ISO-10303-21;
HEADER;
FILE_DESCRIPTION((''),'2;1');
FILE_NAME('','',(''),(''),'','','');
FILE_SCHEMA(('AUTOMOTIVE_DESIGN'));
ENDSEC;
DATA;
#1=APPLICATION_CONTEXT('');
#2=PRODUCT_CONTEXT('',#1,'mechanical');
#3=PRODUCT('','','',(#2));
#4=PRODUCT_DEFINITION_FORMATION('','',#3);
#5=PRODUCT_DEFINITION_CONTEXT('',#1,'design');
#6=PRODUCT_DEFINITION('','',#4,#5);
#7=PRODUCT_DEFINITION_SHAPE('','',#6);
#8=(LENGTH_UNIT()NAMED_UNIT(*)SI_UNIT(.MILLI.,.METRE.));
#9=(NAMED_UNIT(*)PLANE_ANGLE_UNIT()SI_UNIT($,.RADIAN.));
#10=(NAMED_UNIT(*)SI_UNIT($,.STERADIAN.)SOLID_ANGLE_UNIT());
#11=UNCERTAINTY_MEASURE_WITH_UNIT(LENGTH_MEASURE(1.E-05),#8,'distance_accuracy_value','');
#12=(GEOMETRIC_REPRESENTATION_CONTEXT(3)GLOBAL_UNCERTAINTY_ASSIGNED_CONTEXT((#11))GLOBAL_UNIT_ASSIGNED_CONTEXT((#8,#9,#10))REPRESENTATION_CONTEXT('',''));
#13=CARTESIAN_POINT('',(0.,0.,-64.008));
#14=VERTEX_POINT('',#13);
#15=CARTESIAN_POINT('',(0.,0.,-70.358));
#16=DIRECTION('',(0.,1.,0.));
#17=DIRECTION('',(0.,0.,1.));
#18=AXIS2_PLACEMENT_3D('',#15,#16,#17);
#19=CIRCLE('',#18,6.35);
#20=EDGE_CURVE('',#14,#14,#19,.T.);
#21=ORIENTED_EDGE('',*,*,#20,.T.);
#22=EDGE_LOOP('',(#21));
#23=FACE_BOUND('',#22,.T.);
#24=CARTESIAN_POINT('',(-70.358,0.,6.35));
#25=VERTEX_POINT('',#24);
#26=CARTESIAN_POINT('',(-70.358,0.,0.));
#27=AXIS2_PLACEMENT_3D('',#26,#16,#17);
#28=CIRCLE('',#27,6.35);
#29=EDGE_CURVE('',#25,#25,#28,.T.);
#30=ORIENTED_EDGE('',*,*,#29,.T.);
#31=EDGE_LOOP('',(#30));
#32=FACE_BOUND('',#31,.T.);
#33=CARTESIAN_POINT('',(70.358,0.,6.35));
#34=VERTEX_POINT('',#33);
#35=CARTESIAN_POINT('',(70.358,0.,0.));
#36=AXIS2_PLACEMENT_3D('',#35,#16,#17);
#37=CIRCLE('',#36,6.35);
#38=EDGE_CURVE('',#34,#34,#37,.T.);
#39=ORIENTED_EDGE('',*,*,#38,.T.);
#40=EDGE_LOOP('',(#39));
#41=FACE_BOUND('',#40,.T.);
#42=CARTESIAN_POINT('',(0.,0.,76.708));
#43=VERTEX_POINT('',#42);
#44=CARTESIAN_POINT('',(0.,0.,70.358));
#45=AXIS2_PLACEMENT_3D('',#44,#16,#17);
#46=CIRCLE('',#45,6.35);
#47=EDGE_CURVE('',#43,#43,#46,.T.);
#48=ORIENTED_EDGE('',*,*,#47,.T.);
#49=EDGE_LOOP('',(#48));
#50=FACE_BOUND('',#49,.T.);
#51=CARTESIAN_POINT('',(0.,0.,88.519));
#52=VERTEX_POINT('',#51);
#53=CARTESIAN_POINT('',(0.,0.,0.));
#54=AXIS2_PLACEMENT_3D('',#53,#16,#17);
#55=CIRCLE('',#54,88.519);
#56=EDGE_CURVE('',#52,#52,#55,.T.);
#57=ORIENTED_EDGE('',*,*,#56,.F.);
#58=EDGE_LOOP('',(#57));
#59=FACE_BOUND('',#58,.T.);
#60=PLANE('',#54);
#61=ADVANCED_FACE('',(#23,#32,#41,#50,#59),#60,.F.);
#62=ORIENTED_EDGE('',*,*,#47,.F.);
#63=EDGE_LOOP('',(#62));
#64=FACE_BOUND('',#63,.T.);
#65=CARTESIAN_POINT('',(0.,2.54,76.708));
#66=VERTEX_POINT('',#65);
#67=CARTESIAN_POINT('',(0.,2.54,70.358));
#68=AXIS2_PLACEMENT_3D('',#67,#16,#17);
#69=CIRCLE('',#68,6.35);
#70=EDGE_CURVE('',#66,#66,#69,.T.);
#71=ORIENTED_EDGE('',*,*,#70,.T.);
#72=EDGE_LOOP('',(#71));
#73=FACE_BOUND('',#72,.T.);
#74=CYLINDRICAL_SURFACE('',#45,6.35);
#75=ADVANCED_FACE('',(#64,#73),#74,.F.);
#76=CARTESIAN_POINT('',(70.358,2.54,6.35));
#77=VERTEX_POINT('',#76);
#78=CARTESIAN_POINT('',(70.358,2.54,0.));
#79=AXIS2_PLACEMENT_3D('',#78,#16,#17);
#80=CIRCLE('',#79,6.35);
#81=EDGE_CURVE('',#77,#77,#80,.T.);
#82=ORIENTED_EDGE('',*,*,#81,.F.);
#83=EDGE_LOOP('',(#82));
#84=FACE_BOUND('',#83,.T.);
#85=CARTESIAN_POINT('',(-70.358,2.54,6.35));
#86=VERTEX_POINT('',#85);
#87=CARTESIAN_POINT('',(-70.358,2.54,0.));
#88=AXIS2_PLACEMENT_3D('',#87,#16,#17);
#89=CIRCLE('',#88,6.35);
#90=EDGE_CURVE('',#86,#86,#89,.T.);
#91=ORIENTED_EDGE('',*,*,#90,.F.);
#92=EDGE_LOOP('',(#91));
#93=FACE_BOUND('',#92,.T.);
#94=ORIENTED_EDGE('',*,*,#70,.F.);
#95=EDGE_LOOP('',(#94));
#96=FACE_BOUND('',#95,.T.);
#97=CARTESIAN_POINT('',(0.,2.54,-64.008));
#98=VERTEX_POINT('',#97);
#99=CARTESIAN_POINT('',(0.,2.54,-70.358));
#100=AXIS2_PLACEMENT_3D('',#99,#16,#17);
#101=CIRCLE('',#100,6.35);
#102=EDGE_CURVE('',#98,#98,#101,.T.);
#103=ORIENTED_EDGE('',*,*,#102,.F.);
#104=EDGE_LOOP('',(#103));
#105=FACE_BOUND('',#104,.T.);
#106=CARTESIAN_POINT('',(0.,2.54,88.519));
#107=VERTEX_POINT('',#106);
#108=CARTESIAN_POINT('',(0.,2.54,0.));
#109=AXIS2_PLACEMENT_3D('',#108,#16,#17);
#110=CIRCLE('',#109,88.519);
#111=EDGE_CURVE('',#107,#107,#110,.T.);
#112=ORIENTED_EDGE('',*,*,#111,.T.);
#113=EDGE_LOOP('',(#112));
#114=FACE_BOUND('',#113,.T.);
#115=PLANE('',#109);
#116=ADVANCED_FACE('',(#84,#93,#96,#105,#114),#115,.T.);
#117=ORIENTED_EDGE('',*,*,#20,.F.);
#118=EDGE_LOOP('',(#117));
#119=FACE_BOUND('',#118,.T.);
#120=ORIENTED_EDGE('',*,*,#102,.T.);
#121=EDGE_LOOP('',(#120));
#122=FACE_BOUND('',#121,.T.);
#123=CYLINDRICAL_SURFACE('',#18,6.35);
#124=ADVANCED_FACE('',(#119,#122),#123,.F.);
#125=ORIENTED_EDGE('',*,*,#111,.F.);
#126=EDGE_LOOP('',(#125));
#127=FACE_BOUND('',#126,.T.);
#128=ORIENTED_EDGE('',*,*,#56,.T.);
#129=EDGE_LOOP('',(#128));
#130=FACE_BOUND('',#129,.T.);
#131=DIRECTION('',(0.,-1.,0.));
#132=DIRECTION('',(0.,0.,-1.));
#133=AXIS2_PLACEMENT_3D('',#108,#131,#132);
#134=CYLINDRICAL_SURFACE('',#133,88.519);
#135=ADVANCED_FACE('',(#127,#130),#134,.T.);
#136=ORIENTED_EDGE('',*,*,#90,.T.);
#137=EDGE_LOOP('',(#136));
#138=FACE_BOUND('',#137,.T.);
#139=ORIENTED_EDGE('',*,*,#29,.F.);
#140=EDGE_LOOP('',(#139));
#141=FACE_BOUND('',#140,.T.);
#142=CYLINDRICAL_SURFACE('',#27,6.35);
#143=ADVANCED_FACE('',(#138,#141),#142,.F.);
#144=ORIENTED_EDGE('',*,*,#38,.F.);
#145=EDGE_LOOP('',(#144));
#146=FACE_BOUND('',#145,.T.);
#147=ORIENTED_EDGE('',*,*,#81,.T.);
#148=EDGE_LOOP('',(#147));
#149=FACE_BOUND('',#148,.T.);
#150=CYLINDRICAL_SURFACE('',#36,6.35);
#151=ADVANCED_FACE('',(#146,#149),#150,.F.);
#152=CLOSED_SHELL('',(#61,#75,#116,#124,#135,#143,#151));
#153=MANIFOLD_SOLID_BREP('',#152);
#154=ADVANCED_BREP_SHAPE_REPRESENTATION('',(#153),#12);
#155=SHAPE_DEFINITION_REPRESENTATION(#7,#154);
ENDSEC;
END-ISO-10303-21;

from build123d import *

# Parameters (mm, degrees)
SKETCH1_R           = 88.519
BOSS_EXTRUDE1_DEPTH = 2.54
SKETCH2_R           = 6.35
CUT_EXTRUDE1_DEPTH  = 126.210535986


with BuildPart() as part:
    # Sketch1 → Boss-Extrude1 (new body)
    with BuildSketch(Plane(origin=(0, 0, 0), x_dir=(1, 0, 0), z_dir=(0, 1, 0))):
        with Locations(Location((0, 0, 0), (0, 0, 270))):
            Circle(SKETCH1_R)
    extrude(amount=BOSS_EXTRUDE1_DEPTH)

    # Sketch2 → Cut-Extrude1 (cut, through all)
    with BuildSketch(Plane(origin=(0, 2.54, 0), x_dir=(1, 0, 0), z_dir=(0, 1, 0))):
        with Locations(Location((0, 70.358, 0), (0, 0, 270))):
            Circle(SKETCH2_R)
        with Locations(Location((70.358, 0, 0), (0, 0, 270))):
            Circle(SKETCH2_R)
        with Locations(Location((0, -70.358, 0), (0, 0, 270))):
            Circle(SKETCH2_R)
        with Locations(Location((-70.358, 0, 0), (0, 0, 270))):
            Circle(SKETCH2_R)
    extrude(amount=-CUT_EXTRUDE1_DEPTH, mode=Mode.SUBTRACT)


solid = part.part
